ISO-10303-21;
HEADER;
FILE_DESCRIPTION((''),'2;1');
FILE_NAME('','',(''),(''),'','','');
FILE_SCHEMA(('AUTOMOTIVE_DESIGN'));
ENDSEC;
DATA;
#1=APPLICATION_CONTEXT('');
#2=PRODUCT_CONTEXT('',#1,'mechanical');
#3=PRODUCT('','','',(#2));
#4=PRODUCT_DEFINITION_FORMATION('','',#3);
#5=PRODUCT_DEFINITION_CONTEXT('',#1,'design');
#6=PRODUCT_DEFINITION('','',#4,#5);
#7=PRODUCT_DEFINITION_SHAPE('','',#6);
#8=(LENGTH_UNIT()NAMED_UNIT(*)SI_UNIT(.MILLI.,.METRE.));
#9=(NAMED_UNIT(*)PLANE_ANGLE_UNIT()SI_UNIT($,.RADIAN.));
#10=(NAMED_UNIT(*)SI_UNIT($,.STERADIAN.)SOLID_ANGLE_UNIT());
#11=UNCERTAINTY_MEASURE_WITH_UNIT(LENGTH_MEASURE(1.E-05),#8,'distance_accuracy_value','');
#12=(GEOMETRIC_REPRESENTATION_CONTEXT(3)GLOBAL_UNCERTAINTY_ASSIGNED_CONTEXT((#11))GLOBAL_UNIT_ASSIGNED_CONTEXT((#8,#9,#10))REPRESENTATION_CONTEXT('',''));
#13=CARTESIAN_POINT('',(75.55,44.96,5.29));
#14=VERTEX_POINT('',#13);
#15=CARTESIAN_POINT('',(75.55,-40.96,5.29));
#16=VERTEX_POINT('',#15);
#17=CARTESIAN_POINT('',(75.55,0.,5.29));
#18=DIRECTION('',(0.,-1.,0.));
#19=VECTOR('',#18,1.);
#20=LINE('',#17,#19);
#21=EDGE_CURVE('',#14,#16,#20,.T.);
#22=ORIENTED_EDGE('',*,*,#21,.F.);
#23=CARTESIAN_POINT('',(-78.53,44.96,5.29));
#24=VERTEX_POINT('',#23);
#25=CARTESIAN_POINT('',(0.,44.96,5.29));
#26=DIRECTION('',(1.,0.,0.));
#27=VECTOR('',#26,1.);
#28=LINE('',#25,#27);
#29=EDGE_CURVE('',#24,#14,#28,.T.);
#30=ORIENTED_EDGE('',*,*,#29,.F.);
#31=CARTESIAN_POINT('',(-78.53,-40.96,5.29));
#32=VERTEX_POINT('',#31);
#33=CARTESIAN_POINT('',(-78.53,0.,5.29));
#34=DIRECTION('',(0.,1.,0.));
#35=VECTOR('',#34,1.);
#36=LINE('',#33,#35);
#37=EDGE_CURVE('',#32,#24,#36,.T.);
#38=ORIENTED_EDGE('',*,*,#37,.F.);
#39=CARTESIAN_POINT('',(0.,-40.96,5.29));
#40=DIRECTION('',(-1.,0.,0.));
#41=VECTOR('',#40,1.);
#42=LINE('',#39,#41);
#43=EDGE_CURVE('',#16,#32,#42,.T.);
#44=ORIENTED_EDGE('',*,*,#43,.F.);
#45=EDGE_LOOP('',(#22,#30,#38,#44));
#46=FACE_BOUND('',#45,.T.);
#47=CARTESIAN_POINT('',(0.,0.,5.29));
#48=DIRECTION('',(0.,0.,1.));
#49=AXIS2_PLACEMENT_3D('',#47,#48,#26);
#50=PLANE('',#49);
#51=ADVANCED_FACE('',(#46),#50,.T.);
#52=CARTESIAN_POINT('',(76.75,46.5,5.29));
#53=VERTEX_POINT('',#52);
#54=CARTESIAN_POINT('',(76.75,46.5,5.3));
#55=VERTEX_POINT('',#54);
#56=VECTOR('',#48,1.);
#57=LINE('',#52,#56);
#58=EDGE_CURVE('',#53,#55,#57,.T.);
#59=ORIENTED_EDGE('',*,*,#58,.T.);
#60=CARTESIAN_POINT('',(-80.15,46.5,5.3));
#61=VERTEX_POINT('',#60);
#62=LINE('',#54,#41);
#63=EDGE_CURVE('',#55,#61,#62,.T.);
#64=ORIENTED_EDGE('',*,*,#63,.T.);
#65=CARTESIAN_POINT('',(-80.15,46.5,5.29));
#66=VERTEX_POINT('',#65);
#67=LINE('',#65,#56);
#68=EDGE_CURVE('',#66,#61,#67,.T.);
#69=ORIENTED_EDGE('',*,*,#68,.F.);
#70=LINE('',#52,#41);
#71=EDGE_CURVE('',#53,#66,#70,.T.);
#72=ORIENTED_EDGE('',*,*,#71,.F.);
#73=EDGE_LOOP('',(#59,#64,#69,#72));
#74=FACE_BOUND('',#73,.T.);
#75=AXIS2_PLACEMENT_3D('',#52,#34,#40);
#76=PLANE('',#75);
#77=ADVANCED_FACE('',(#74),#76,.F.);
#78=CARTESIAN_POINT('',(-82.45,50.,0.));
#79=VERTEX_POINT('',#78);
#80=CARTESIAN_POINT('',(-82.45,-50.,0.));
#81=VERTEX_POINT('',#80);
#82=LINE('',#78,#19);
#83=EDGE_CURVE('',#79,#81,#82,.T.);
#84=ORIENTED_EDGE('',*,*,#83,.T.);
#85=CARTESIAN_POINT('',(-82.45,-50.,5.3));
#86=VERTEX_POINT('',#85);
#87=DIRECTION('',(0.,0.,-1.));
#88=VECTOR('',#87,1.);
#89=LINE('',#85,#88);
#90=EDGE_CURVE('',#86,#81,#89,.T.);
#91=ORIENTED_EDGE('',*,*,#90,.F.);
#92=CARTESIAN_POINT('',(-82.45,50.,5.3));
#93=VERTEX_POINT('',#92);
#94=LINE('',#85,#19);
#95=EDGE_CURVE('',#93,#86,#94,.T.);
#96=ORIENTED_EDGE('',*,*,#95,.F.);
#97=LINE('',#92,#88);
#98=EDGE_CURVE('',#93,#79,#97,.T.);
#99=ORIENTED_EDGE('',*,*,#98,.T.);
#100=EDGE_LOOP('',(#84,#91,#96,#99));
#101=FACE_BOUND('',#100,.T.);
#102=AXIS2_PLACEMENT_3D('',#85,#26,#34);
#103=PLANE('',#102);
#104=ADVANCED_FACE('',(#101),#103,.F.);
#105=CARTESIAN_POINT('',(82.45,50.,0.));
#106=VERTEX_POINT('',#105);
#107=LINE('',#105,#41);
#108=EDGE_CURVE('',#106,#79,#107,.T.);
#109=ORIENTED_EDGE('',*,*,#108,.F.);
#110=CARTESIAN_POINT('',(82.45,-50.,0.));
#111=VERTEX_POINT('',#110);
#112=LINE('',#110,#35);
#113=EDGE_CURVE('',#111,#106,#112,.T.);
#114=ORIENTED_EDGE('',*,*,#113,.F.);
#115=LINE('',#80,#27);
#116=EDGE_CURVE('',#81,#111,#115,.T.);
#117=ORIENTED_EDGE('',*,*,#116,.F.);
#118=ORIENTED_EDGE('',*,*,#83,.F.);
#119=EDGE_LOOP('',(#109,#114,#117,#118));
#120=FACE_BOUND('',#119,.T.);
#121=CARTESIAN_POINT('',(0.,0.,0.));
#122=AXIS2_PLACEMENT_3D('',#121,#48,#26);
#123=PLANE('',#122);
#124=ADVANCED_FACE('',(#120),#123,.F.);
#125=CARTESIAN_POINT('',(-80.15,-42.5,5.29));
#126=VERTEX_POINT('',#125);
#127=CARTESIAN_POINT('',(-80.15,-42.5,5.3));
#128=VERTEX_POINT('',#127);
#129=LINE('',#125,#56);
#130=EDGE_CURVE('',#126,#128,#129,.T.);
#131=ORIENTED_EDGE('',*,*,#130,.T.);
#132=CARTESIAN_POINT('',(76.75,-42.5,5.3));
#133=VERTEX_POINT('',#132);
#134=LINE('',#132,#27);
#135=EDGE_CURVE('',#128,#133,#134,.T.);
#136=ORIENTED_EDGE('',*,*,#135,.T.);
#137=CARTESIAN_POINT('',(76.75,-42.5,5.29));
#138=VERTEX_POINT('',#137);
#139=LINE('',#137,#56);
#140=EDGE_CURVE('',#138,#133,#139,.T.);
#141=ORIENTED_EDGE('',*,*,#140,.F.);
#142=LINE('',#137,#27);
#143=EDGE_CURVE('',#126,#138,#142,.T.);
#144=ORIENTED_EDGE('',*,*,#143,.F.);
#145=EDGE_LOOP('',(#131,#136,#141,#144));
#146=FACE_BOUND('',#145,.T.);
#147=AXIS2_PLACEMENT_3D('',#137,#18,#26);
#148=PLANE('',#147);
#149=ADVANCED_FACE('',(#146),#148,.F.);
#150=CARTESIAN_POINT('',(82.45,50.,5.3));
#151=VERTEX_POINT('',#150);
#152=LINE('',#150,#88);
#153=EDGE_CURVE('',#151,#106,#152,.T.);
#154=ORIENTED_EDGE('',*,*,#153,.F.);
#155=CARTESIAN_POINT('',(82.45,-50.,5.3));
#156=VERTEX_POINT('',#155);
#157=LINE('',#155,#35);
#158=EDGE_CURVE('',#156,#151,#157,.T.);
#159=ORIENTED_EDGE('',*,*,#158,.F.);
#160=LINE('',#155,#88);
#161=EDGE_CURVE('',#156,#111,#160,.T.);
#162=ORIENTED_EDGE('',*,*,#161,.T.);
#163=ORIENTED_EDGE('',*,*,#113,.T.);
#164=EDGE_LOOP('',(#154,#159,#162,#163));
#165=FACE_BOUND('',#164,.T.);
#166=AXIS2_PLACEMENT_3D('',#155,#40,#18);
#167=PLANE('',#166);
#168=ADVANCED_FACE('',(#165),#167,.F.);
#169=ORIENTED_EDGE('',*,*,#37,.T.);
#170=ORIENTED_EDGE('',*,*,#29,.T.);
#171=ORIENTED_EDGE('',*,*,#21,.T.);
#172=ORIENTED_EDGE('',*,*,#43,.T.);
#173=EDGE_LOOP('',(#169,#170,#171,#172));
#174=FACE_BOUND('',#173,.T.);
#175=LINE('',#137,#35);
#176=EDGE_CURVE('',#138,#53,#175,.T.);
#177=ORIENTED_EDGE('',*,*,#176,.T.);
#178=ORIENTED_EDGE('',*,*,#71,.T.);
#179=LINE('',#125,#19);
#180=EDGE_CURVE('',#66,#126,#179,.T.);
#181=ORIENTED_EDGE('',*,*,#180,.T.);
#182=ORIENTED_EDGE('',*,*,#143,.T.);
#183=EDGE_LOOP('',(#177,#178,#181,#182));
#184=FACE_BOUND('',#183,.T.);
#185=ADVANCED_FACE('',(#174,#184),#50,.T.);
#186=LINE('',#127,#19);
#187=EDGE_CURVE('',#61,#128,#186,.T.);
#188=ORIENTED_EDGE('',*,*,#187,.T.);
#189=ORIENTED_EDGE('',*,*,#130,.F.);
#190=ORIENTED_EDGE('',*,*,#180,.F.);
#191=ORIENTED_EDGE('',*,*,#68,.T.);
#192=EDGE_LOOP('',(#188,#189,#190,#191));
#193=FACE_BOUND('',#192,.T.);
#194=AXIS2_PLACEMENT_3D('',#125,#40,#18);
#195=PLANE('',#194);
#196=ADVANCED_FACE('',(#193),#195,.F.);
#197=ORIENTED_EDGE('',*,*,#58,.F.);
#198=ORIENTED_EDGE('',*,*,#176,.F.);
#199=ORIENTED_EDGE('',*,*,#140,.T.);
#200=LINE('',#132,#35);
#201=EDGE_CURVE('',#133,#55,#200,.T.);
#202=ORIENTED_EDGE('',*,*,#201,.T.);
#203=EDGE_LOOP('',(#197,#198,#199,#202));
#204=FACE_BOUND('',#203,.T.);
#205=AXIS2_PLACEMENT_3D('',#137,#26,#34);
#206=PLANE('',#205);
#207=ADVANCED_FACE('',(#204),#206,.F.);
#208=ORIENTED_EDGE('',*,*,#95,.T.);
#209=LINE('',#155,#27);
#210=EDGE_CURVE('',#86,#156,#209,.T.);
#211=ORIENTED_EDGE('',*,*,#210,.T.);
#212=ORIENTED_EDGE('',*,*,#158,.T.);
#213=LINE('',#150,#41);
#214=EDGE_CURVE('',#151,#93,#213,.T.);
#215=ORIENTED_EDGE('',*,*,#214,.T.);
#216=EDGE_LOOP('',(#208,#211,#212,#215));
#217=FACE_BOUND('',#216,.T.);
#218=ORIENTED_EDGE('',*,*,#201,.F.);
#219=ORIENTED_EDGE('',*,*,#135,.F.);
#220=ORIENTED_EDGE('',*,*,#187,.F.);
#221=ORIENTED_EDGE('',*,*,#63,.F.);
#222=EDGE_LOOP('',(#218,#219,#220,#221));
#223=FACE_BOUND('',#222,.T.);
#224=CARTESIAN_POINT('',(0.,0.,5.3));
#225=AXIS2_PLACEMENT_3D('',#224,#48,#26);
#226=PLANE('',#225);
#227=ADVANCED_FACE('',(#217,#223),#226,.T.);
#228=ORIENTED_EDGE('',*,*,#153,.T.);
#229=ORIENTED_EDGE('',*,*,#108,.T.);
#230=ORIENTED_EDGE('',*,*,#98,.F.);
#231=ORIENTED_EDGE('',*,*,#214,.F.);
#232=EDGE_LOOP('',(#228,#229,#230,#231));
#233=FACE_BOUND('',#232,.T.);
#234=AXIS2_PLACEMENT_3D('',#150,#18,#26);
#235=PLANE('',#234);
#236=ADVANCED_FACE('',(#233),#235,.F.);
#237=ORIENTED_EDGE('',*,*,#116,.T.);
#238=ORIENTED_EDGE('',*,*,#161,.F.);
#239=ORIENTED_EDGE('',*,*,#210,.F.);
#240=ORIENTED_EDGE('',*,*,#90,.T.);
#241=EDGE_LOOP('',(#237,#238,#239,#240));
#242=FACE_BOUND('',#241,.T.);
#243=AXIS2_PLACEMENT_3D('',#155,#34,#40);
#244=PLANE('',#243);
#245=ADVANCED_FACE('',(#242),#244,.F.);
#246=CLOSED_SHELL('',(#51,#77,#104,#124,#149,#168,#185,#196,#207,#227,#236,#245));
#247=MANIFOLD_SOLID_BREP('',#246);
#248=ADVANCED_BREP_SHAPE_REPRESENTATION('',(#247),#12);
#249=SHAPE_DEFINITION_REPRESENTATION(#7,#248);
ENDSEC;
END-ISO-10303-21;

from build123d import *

# Parameters (mm, degrees)
SKETCH2_W                  = 180
SKETCH2_H                  = 104
PCB_DEPTH                  = 1.6
F_3_2_3_2_DIAMETER_HOLE1_D = 3.2
SKETCH5_W                  = 164.9
SKETCH5_H                  = 100
BEZEL_DEPTH                = 3.7
SKETCH6_W                  = 156.9
SKETCH6_H                  = 89
VISUAL_AREA_VA_DEPTH       = 0.01
F_1_0_1_DIAMETER_HOLE1_D   = 1
SKETCH12_W                 = 180
SKETCH12_H                 = 104
SKETCH12_W_2               = 164.9
SKETCH12_H_2               = 100
CUT_EXTRUDE1_DEPTH         = 6.3


with BuildPart() as part:
    # Sketch2 → PCB (new body)
    with BuildSketch(Plane.XY):
        Rectangle(SKETCH2_W, SKETCH2_H)
    extrude(amount=PCB_DEPTH)

    # Ø3.2 (3.2) Diameter Hole1 (through all)
    with Locations(Plane.XY.offset(1.6)):
        with Locations((-87, 49), (87, 49), (87, -49), (-87, -49)):
            Hole(F_3_2_3_2_DIAMETER_HOLE1_D / 2)

    # Sketch5 → Bezel (add)
    with BuildSketch(Plane.XY.offset(1.6)):
        Rectangle(SKETCH5_W, SKETCH5_H)
    extrude(amount=BEZEL_DEPTH)

    # Sketch6 → Visual Area (VA) (cut)
    with BuildSketch(Plane.XY.offset(5.3)):
        with Locations((-1.7, 2)):
            Rectangle(SKETCH6_W, SKETCH6_H)
    extrude(amount=-VISUAL_AREA_VA_DEPTH, mode=Mode.SUBTRACT)

    # Ø1.0 (1) Diameter Hole1 (through all)
    with Locations(Plane.XY.offset(1.6)):
        with Locations((88.5, -41.91), (85.96, -41.91), (85.96, -39.37), (85.96, -36.83), (85.96, -34.29), (88.5, -39.37), (88.5, -36.83), (88.5, -34.29), (88.5, -24.13), (85.96, -24.13), (85.96, -21.59), (85.96, -19.05), (85.96, -16.51), (85.96, -13.97), (85.96, -11.43), (85.96, -8.89), (85.96, -6.35), (85.96, -3.81), (85.96, -1.27), (85.96, 1.27), (85.96, 3.81), (85.96, 6.35), (85.96, 8.89), (85.96, 11.43), (85.96, 13.97), (85.96, 16.51), (85.96, 19.05), (85.96, 21.59), (85.96, 24.13), (88.5, -21.59), (88.5, -19.05), (88.5, -16.51), (88.5, -13.97), (88.5, -11.43), (88.5, -8.89), (88.5, -6.35), (88.5, -3.81), (88.5, -1.27), (88.5, 1.27), (88.5, 3.81), (88.5, 6.35), (88.5, 8.89), (88.5, 11.43), (88.5, 13.97), (88.5, 16.51), (88.5, 19.05), (88.5, 21.59), (88.5, 24.13), (88.5, 34.29), (85.96, 34.29), (85.96, 36.83), (85.96, 39.37), (85.96, 41.91), (88.5, 36.83), (88.5, 39.37), (88.5, 41.91)):
            Hole(F_1_0_1_DIAMETER_HOLE1_D / 2)

    # Sketch12 → Cut-Extrude1 (cut, through all)
    with BuildSketch(Plane.XY.offset(5.3)):
        Rectangle(SKETCH12_W, SKETCH12_H)
        Rectangle(SKETCH12_W_2, SKETCH12_H_2, mode=Mode.SUBTRACT)
    extrude(amount=-CUT_EXTRUDE1_DEPTH, mode=Mode.SUBTRACT)


solid = part.part
